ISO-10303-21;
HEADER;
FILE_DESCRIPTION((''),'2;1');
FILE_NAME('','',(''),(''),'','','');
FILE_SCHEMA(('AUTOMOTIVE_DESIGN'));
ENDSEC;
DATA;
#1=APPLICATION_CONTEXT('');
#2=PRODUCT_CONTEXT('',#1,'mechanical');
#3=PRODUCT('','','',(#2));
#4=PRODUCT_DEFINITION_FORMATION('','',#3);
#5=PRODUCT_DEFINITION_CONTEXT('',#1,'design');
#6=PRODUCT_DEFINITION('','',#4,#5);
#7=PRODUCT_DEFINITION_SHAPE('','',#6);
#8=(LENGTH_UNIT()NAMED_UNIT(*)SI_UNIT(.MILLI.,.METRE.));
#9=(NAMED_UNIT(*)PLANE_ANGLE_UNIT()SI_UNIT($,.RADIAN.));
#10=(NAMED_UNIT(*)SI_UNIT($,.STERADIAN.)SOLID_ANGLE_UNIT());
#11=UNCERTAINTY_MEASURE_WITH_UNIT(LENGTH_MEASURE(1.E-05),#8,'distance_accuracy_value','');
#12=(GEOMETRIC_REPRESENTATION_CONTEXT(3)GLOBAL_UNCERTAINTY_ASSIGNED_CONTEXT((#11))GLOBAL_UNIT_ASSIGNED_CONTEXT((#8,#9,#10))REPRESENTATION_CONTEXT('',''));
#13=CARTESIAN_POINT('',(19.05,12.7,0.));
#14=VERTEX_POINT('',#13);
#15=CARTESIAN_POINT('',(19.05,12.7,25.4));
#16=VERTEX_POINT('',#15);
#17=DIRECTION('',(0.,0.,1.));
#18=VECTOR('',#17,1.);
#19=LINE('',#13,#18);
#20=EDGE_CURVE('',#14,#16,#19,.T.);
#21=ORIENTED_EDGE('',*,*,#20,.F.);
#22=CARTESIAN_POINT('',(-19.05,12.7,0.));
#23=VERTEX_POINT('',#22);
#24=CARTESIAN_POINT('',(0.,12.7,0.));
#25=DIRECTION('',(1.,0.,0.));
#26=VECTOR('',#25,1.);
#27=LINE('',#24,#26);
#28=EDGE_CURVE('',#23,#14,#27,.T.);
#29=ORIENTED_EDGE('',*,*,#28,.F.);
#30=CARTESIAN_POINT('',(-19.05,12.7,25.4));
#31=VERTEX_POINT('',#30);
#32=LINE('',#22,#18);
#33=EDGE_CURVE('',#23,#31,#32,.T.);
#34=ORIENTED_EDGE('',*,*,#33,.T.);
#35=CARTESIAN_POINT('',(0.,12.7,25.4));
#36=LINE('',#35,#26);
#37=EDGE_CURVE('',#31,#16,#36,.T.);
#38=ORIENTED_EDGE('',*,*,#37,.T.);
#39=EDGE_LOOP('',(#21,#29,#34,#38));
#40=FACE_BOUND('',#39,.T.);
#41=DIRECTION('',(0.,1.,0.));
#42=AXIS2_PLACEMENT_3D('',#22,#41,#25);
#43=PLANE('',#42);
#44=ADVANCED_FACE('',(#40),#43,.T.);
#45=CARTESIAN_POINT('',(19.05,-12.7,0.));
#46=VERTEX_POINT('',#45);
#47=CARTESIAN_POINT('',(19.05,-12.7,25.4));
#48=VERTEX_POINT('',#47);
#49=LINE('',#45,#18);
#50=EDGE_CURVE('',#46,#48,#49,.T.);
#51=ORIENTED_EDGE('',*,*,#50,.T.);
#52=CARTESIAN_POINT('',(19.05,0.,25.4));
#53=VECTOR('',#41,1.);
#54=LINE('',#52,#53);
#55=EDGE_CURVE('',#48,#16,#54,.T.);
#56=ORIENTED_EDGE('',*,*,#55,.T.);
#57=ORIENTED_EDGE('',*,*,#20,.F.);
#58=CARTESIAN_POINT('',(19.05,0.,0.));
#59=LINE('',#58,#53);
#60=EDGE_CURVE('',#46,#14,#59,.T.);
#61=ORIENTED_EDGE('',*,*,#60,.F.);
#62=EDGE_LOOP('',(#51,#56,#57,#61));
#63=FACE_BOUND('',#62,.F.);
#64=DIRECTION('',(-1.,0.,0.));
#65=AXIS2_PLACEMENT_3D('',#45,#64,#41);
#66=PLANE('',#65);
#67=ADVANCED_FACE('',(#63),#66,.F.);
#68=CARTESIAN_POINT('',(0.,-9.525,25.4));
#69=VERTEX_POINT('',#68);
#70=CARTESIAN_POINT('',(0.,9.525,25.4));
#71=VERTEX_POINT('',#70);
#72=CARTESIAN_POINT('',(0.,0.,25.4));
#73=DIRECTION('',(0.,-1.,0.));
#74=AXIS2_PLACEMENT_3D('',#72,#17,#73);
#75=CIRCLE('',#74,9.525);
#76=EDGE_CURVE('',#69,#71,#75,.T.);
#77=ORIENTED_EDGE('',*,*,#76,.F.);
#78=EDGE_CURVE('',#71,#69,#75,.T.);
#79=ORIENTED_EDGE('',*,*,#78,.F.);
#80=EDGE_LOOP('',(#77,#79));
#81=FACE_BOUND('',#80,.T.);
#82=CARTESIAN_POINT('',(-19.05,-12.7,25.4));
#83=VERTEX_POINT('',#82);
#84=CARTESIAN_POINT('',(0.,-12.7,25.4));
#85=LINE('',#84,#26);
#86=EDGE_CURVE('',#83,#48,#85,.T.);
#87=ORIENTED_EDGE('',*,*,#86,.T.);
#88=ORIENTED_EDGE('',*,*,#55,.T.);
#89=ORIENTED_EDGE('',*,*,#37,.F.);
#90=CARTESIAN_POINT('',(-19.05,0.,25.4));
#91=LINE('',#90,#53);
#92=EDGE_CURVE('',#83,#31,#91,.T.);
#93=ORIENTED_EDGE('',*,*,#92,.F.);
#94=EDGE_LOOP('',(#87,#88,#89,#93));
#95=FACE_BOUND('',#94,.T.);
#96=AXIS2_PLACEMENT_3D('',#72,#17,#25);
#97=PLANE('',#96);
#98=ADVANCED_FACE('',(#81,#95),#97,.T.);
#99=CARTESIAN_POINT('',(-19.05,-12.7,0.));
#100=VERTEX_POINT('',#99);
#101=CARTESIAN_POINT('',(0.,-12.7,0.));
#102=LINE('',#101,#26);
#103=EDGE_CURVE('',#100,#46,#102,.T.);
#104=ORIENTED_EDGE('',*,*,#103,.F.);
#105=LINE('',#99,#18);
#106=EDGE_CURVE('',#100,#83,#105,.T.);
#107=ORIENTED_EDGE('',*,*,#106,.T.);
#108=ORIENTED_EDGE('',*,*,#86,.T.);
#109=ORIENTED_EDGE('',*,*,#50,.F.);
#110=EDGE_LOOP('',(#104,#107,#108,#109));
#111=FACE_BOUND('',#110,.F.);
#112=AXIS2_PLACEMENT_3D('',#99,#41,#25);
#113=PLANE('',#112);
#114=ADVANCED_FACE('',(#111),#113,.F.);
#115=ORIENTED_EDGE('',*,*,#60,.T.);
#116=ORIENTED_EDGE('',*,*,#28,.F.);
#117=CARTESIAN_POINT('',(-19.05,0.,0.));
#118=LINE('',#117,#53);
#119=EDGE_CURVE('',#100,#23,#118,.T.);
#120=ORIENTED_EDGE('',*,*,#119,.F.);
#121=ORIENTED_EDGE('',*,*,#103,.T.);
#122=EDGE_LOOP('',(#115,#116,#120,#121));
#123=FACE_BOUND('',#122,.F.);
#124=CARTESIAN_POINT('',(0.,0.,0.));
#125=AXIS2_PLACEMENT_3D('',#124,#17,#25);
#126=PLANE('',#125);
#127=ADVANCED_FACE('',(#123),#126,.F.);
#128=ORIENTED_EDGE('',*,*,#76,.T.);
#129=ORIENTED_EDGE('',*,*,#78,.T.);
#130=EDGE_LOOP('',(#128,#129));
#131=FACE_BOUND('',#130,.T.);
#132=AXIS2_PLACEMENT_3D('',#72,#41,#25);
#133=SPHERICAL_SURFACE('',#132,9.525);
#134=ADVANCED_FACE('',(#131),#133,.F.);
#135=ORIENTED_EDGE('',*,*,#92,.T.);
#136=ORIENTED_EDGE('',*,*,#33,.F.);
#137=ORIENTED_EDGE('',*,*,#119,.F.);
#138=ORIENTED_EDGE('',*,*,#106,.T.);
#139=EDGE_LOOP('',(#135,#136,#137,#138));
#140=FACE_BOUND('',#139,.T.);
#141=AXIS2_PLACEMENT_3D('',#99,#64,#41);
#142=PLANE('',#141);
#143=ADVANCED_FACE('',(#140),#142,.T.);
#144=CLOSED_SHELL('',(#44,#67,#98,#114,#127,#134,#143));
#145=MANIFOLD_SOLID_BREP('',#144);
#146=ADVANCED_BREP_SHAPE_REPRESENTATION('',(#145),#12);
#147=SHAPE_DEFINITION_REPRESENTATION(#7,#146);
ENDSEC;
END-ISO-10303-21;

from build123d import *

# Parameters (mm, degrees)
F0_W     = 38.1
F0_H     = 25.4
F1_DEPTH = 25.4


with BuildPart() as f1:
    # F0 (on Top) → F1 (new body)
    with BuildSketch(Plane.XY):
        Rectangle(F0_W, F0_H)
    extrude(amount=F1_DEPTH)

    # F2 (on face) → F3 (revolve, cut)
    with BuildSketch(Plane.XY.offset(25.4)):
        with BuildLine():
            ThreePointArc((0, -9.525), (9.525, 0), (0, 9.525))
            Line((0, 9.525), (0, -9.525))
        make_face()
    revolve(axis=Axis((0, 0, 25.4), (0, -1, 0)), mode=Mode.SUBTRACT)


solid = f1.part
